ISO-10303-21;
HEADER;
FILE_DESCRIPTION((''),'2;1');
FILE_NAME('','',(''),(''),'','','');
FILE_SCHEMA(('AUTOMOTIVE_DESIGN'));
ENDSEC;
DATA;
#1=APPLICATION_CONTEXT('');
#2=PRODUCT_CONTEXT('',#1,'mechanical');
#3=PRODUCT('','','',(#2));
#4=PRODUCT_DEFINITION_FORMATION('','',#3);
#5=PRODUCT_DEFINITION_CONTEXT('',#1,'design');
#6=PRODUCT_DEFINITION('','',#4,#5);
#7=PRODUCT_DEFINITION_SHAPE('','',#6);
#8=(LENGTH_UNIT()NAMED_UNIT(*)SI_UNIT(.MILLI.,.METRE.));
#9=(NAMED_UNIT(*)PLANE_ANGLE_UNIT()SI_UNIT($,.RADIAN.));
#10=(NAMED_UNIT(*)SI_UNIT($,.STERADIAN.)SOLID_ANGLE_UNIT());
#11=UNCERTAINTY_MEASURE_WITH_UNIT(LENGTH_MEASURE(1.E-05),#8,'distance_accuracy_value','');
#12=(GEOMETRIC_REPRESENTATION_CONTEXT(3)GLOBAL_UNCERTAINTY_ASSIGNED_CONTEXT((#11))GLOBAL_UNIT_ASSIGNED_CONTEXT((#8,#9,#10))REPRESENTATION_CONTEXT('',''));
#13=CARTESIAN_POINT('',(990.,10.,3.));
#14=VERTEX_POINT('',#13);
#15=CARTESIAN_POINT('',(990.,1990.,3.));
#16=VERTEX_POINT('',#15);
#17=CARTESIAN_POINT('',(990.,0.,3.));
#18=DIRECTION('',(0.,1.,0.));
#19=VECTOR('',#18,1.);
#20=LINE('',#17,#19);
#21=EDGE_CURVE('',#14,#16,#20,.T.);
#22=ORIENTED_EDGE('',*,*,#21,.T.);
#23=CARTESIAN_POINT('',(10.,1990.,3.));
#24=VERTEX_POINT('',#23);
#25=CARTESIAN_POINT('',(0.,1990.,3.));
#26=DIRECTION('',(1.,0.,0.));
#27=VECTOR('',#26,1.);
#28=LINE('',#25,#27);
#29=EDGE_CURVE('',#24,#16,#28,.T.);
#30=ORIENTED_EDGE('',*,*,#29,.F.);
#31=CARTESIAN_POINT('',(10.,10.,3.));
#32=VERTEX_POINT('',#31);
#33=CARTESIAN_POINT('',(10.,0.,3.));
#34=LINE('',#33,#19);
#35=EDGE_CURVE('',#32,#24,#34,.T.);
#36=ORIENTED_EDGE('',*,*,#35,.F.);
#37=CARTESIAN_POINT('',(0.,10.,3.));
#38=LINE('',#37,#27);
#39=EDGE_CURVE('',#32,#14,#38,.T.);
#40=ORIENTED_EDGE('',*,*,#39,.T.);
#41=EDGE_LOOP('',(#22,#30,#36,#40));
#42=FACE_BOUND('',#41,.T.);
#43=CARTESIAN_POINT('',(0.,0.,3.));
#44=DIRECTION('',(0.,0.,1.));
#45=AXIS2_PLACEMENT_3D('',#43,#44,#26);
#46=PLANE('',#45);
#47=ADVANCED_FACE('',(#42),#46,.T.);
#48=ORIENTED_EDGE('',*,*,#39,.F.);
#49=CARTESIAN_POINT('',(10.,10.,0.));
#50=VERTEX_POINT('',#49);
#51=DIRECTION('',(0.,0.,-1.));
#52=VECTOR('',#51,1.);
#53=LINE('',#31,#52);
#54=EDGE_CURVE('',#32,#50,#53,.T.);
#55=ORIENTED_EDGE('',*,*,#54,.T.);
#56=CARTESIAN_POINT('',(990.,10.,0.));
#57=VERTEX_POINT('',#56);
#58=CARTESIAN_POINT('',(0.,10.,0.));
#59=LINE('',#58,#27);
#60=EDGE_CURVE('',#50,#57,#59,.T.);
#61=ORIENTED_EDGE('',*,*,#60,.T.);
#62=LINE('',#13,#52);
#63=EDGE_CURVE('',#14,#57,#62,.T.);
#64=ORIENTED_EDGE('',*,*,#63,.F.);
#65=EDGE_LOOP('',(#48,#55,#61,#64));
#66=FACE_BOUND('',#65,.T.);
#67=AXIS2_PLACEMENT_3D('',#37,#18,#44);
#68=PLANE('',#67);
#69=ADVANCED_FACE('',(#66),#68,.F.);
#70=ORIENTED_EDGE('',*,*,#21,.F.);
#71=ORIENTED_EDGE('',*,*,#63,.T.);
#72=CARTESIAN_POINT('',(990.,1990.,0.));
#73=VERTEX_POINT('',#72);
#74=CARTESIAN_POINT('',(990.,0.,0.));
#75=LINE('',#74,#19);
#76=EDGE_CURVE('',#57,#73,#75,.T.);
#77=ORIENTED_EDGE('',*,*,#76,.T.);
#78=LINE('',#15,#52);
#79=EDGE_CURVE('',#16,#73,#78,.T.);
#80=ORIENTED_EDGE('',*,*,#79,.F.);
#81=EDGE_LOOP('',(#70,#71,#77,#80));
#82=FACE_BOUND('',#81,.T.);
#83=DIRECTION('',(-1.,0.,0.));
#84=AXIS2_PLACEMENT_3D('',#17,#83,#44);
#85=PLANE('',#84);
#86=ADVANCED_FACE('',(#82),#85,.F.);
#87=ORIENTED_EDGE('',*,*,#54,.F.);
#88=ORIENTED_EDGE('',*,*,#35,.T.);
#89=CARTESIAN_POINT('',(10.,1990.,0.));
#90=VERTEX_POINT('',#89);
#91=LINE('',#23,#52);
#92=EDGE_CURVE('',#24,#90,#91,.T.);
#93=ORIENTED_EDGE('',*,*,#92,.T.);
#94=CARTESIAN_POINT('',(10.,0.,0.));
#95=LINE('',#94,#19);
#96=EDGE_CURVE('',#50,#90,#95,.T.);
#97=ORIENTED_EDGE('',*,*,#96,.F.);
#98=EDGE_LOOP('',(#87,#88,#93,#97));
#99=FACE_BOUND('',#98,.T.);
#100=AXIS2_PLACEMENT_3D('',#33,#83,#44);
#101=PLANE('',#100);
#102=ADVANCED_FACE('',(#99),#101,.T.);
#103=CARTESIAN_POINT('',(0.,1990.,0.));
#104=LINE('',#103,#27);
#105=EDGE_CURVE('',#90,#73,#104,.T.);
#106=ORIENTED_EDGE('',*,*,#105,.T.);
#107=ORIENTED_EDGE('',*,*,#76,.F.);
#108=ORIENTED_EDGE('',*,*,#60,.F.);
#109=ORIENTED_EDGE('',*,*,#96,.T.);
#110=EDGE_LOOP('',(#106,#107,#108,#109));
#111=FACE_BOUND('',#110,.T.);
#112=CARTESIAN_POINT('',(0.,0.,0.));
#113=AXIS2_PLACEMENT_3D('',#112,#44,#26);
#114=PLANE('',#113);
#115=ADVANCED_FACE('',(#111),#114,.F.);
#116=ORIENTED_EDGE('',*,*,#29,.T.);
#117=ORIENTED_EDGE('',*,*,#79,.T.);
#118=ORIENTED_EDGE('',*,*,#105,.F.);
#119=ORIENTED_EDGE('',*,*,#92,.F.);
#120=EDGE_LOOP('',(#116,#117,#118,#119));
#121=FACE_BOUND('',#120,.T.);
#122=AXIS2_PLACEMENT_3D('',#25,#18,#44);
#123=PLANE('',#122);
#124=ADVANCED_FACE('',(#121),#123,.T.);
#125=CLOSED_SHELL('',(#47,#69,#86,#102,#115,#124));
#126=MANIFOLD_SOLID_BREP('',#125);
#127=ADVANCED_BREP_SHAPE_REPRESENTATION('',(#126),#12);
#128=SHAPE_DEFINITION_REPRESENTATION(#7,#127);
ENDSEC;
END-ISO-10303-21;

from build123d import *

# Parameters (mm, degrees)
CROQUIS1_W              = 980
CROQUIS1_H              = 1980
CROQUIS1_W_2            = 940
CROQUIS1_H_2            = 1940
SALIENTE_EXTRUIR1_DEPTH = 3


with BuildPart() as part:
    # Croquis1 → Saliente-Extruir1 (new body)
    # profile 1 of 2: a face of its own
    with BuildSketch(Plane.XY):
        with Locations((500, 1000)):
            Rectangle(CROQUIS1_W, CROQUIS1_H)
        with Locations((500, 1000)):
            Rectangle(CROQUIS1_W_2, CROQUIS1_H_2, mode=Mode.SUBTRACT)
    # profile 2 of 2: a face of its own
    with BuildSketch(Plane.XY):
        with Locations((500, 1000)):
            Rectangle(CROQUIS1_W_2, CROQUIS1_H_2)
    extrude(amount=SALIENTE_EXTRUIR1_DEPTH)


solid = part.part
